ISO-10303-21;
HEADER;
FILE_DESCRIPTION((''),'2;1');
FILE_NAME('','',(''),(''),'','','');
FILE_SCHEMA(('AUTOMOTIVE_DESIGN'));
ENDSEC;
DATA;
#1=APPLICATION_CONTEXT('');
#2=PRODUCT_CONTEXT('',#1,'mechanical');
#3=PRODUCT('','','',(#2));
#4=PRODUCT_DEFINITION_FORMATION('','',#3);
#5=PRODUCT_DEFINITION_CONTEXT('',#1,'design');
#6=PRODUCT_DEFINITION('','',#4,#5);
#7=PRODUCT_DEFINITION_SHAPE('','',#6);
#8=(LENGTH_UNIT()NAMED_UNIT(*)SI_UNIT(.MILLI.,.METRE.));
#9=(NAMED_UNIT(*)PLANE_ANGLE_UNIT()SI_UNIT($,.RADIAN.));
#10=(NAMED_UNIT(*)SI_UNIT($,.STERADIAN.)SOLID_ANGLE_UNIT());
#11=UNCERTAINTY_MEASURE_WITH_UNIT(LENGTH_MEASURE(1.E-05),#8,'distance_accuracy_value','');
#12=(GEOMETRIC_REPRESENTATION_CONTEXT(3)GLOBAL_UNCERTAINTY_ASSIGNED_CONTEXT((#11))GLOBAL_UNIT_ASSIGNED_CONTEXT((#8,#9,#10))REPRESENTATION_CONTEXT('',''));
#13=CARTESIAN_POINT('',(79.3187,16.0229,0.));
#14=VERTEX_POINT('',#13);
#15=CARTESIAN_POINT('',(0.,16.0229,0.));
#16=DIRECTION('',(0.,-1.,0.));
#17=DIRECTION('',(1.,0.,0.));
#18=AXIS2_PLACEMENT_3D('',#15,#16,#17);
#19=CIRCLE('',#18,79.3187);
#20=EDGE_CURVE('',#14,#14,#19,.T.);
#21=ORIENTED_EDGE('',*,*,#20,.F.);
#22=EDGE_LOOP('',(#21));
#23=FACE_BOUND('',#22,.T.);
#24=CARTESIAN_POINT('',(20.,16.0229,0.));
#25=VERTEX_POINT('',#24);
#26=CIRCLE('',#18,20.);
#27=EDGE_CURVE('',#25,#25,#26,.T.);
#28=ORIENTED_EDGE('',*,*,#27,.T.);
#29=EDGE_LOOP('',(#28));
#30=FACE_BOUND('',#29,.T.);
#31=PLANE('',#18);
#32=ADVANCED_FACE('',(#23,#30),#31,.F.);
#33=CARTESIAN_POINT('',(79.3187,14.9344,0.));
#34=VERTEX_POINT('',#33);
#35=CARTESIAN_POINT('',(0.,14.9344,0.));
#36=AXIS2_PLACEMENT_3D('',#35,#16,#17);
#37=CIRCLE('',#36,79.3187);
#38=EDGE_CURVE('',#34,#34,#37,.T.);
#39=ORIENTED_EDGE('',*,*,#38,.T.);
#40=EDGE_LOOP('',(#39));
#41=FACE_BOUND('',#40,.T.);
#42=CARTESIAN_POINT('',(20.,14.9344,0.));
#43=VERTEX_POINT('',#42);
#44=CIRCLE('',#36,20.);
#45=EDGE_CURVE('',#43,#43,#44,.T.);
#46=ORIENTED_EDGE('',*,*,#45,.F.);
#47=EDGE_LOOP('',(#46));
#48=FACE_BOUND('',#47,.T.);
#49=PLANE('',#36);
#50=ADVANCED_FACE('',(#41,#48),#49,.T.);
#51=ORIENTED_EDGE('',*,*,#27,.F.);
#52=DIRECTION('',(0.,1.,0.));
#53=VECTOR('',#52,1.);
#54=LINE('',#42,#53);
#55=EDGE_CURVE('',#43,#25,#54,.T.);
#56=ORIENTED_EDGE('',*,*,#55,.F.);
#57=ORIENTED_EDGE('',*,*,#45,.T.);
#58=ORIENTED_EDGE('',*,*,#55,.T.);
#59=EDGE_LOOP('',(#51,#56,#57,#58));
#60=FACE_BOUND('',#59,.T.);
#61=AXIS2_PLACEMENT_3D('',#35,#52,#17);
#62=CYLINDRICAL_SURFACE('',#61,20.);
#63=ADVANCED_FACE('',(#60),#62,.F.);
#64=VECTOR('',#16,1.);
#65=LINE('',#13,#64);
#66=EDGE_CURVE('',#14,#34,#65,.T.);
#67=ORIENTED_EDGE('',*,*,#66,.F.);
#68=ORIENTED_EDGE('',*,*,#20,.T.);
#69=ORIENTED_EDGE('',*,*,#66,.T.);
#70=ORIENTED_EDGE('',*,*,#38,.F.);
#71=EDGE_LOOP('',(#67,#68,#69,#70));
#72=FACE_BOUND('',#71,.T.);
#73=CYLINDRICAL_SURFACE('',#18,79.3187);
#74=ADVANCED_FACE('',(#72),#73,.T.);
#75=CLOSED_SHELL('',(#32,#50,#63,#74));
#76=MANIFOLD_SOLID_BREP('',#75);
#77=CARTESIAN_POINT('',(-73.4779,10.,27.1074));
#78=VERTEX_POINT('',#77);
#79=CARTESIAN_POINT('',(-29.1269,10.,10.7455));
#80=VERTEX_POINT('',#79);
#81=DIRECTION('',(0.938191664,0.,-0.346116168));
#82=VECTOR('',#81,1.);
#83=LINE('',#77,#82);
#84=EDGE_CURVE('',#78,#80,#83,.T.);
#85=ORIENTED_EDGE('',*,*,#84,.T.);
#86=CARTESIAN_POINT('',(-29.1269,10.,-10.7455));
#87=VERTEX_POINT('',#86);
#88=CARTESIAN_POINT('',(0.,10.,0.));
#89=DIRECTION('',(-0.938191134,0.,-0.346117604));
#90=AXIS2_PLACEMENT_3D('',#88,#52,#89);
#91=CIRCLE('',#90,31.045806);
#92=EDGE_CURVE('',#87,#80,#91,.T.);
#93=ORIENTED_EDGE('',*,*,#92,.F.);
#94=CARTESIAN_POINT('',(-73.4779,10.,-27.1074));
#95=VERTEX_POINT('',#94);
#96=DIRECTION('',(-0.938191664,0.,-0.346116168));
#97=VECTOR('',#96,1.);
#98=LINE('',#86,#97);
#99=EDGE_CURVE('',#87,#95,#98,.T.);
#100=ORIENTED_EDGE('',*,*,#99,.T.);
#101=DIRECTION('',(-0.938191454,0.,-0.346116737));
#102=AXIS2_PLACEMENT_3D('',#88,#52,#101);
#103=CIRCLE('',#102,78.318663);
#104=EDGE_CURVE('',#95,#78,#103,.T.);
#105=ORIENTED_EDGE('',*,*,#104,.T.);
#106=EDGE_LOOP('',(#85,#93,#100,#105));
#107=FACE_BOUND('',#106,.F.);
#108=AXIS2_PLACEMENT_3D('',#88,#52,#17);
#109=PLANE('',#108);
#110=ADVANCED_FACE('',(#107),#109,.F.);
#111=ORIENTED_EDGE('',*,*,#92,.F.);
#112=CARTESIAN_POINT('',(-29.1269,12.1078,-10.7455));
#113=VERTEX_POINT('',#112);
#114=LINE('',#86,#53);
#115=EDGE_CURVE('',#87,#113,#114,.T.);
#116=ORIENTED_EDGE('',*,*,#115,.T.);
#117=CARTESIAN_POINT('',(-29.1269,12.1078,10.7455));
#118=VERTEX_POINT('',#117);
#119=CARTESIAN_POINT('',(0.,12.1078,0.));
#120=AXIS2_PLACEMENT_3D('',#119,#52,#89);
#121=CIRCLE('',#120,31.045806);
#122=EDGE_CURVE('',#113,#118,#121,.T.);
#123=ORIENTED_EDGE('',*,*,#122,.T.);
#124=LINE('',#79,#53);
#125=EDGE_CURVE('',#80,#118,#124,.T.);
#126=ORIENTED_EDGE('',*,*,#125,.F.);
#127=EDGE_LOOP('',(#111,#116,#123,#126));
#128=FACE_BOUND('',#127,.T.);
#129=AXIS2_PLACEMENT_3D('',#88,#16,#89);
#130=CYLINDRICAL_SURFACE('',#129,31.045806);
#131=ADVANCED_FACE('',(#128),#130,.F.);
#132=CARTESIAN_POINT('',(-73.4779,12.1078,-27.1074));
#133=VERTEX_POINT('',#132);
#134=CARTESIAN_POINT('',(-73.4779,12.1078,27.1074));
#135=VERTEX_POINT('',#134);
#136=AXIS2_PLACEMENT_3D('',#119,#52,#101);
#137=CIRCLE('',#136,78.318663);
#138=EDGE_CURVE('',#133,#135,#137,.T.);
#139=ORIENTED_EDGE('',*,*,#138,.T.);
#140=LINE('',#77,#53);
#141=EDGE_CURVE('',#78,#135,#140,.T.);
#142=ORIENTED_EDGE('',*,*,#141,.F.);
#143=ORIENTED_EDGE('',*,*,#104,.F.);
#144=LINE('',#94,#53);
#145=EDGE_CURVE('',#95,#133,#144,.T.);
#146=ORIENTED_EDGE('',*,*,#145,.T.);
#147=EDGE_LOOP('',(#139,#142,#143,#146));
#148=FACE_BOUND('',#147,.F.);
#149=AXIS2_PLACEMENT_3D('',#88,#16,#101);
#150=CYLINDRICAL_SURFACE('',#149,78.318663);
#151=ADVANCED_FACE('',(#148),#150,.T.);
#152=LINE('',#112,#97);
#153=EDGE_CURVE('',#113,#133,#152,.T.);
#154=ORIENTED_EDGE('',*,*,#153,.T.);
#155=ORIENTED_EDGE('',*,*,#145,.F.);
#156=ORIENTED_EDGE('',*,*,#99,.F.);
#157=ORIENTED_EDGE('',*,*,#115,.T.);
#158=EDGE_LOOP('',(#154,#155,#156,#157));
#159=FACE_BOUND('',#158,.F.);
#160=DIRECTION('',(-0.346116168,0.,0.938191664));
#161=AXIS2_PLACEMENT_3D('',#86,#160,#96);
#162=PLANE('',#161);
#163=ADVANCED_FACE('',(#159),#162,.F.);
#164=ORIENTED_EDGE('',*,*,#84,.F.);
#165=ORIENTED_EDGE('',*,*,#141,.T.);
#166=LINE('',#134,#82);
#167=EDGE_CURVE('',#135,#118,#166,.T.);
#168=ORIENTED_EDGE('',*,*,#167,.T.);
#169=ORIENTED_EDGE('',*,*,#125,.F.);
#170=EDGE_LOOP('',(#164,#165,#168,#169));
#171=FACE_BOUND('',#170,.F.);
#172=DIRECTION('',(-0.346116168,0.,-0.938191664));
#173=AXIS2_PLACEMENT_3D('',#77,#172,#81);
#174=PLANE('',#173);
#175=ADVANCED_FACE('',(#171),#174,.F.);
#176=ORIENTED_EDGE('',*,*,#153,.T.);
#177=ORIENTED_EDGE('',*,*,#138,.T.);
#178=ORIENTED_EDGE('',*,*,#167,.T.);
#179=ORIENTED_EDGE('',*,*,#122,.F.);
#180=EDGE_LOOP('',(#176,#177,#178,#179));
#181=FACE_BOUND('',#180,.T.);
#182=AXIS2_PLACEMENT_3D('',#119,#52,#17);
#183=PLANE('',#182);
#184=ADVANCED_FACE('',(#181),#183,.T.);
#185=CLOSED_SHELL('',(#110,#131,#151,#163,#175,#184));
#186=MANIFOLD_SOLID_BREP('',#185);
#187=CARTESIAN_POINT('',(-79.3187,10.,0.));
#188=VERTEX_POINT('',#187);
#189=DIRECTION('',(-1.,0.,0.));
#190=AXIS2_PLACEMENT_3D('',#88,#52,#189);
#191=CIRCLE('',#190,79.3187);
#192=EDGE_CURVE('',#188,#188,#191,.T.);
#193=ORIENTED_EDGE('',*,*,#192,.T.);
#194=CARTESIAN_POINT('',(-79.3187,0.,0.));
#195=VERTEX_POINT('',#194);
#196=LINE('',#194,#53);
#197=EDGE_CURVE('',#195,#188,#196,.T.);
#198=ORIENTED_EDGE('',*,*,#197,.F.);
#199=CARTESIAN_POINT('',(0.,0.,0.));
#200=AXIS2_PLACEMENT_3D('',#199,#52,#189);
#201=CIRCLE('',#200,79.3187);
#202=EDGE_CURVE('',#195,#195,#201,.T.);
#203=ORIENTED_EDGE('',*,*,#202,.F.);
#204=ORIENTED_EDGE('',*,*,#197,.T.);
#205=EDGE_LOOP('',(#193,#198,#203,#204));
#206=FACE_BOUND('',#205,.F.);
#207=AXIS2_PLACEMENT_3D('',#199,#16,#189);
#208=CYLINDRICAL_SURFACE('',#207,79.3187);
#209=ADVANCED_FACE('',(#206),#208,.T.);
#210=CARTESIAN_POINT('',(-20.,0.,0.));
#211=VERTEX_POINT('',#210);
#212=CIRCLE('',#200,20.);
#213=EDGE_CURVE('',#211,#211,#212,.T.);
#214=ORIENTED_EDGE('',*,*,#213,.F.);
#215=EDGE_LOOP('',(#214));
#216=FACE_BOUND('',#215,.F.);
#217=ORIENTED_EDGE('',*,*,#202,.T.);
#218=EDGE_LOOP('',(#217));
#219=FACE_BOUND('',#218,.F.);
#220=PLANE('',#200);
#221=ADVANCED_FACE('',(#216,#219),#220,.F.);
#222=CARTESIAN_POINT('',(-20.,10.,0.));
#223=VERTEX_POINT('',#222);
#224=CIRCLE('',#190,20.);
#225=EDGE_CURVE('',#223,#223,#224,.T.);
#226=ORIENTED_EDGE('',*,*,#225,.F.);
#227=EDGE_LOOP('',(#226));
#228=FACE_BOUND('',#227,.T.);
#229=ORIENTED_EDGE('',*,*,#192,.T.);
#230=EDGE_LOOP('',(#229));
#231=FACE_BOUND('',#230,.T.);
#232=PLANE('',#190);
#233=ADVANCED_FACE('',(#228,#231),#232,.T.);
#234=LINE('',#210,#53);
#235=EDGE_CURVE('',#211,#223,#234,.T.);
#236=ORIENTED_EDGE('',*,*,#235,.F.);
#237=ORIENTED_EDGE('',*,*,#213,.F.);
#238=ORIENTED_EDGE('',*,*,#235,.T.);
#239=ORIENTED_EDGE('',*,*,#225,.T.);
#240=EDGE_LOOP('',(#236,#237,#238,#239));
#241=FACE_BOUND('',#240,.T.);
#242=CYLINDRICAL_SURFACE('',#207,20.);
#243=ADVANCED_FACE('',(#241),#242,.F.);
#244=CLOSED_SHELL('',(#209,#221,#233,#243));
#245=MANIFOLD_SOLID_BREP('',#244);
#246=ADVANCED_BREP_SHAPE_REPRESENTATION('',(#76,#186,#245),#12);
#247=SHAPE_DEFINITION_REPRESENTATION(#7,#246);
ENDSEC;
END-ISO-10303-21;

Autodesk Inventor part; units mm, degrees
ref_plane "YZ Plane" through (0, 0, 0) normal (1, 0, 0) x (0, 1, 0)
ref_plane "XZ Plane" through (0, 0, 0) normal (0, 1, 0) x (-1, 0, 0)
ref_plane "XY Plane" through (0, 0, 0) normal (0, 0, 1) x (1, 0, 0)
sketch "草圖1" plane through (0, 0, 0) normal (0, 1, 0) x (-1, 0, 0)
  circle A0 centre (0, 0) radius 79.3187
  circle A1 centre (0, 0) radius 20
  dimension "d_yo" = 158.6374
  dimension "d_yi" = 40
extrude "擠出1" add sketch "草圖1" along normal blind 10
sketch "草圖2" plane through (0, 10, 0) normal (0, 1, 0) x (1, 0, 0)
  arc A0 (-73.4779, 27.1074) -> (-73.4779, -27.1074) centre (0, 0) ccw
  line L0 (-90.8067, 0) -> (132.5495, 0) construction
  arc A1 (-29.1269, 10.7455) -> (-29.1269, -10.7455) centre (0, 0) ccw
  line L1 (-73.4779, -27.1074) -> (-29.1269, -10.7455)
  line L2 (-29.1269, 10.7455) -> (-73.4779, 27.1074)
  arc A2 (-51.3024, 18.9265) -> (-51.3024, -18.9265) centre (0, 0) ccw construction
  line L3 (-32.7889, -71.1246) -> (-12.9976, -28.194)
  arc A3 (-28.194, -12.9976) -> (-12.9976, -28.194) centre (0, 0) ccw
  line L4 (-28.194, -12.9976) -> (-71.1246, -32.7889)
  arc A4 (-71.1246, -32.7889) -> (-32.7889, -71.1246) centre (0, 0) ccw
  line L5 (27.1074, -73.4779) -> (10.7455, -29.1269)
  arc A5 (-10.7455, -29.1269) -> (10.7455, -29.1269) centre (0, 0) ccw
  line L6 (-10.7455, -29.1269) -> (-27.1074, -73.4779)
  arc A6 (-27.1074, -73.4779) -> (27.1074, -73.4779) centre (0, 0) ccw
  line L7 (71.1246, -32.7889) -> (28.194, -12.9976)
  arc A7 (12.9976, -28.194) -> (28.194, -12.9976) centre (0, 0) ccw
  line L8 (12.9976, -28.194) -> (32.7889, -71.1246)
  arc A8 (32.7889, -71.1246) -> (71.1246, -32.7889) centre (0, 0) ccw
  circle A9 centre (0, 0) radius 20 construction
  line L9 (73.4779, 27.1074) -> (29.1269, 10.7455)
  arc A10 (29.1269, -10.7455) -> (29.1269, 10.7455) centre (0, 0) ccw
  line L10 (29.1269, -10.7455) -> (73.4779, -27.1074)
  arc A11 (73.4779, -27.1074) -> (73.4779, 27.1074) centre (0, 0) ccw
  line L11 (32.7889, 71.1246) -> (12.9976, 28.194)
  arc A12 (28.194, 12.9976) -> (12.9976, 28.194) centre (0, 0) ccw
  line L12 (28.194, 12.9976) -> (71.1246, 32.7889)
  arc A13 (71.1246, 32.7889) -> (32.7889, 71.1246) centre (0, 0) ccw
  line L13 (-27.1074, 73.4779) -> (-10.7455, 29.1269)
  arc A14 (10.7455, 29.1269) -> (-10.7455, 29.1269) centre (0, 0) ccw
  line L14 (10.7455, 29.1269) -> (27.1074, 73.4779)
  arc A15 (27.1074, 73.4779) -> (-27.1074, 73.4779) centre (0, 0) ccw
  line L15 (-71.1246, 32.7889) -> (-28.194, 12.9976)
  arc A16 (-12.9976, 28.194) -> (-28.194, 12.9976) centre (0, 0) ccw
  line L16 (-12.9976, 28.194) -> (-32.7889, 71.1246)
  arc A17 (-32.7889, 71.1246) -> (-71.1246, 32.7889) centre (0, 0) ccw
  point P0 (-22.8933, -49.6593)
  point P1 (-49.6593, -22.8933)
  point P2 (18.9265, -51.3024)
  point P3 (-18.9265, -51.3024)
  point P4 (49.6593, -22.8933)
  point P5 (22.8933, -49.6593)
  point P6 (51.3024, 18.9265)
  point P7 (51.3024, -18.9265)
  point P8 (22.8933, 49.6593)
  point P9 (49.6593, 22.8933)
  point P10 (-18.9265, 51.3024)
  point P11 (18.9265, 51.3024)
  point P12 (-49.6593, 22.8933)
  point P13 (-22.8933, 49.6593)
  dimension "r_av" = 54.6822
  dimension "l_m" = 47.2729
  dimension "d8" = 360
  dimension "theta_magnet" = 40.5
extrude "擠出3" add sketch "草圖2" along normal blind 2.1078 separate body contours L2 A1 L1 A0
sketch "草圖3" plane through (0, 0, 0) normal (0, 0, 1) x (1, 0, 0)
  line L0 (20, 16.0229) -> (79.3187, 16.0229)
  line L1 (79.3187, 16.0229) -> (79.3187, 14.9344)
  line L2 (79.3187, 14.9344) -> (20, 14.9344)
  line L3 (20, 14.9344) -> (20, 16.0229)
  line L4 (0, 63.9711) -> (0, -11.167) construction
  line L5 (79.3187, 10) -> (-79.3187, 10) projected
  point P0 (0, 0)
  dimension "r_co" = 79.3187
  dimension "r_ci" = 20
  dimension "t_c" = 1.0885
  dimension "gap_low" = 4.9344
revolve "迴轉1" add sketch "草圖3" angle 360 about axis through (0, 63.9711, 0) along (0, -1, 0) separate body
equation "\"d_yo\" = 2 * r_yo"
equation "\"d_yi\" = 2 * r_yi"
equation "\"r_co\" = r_yo"
equation "\"r_ci\" = r_yi"
equation "\"r_yo\" = 79.31871"
equation "\"r_yi\" = 20"
equation "\"gap_high\" = 1"
equation "\"theta_p\" = 45deg"
equation "\"PM_ratio\" = 0.9"
properties part number "ECB_demo"
